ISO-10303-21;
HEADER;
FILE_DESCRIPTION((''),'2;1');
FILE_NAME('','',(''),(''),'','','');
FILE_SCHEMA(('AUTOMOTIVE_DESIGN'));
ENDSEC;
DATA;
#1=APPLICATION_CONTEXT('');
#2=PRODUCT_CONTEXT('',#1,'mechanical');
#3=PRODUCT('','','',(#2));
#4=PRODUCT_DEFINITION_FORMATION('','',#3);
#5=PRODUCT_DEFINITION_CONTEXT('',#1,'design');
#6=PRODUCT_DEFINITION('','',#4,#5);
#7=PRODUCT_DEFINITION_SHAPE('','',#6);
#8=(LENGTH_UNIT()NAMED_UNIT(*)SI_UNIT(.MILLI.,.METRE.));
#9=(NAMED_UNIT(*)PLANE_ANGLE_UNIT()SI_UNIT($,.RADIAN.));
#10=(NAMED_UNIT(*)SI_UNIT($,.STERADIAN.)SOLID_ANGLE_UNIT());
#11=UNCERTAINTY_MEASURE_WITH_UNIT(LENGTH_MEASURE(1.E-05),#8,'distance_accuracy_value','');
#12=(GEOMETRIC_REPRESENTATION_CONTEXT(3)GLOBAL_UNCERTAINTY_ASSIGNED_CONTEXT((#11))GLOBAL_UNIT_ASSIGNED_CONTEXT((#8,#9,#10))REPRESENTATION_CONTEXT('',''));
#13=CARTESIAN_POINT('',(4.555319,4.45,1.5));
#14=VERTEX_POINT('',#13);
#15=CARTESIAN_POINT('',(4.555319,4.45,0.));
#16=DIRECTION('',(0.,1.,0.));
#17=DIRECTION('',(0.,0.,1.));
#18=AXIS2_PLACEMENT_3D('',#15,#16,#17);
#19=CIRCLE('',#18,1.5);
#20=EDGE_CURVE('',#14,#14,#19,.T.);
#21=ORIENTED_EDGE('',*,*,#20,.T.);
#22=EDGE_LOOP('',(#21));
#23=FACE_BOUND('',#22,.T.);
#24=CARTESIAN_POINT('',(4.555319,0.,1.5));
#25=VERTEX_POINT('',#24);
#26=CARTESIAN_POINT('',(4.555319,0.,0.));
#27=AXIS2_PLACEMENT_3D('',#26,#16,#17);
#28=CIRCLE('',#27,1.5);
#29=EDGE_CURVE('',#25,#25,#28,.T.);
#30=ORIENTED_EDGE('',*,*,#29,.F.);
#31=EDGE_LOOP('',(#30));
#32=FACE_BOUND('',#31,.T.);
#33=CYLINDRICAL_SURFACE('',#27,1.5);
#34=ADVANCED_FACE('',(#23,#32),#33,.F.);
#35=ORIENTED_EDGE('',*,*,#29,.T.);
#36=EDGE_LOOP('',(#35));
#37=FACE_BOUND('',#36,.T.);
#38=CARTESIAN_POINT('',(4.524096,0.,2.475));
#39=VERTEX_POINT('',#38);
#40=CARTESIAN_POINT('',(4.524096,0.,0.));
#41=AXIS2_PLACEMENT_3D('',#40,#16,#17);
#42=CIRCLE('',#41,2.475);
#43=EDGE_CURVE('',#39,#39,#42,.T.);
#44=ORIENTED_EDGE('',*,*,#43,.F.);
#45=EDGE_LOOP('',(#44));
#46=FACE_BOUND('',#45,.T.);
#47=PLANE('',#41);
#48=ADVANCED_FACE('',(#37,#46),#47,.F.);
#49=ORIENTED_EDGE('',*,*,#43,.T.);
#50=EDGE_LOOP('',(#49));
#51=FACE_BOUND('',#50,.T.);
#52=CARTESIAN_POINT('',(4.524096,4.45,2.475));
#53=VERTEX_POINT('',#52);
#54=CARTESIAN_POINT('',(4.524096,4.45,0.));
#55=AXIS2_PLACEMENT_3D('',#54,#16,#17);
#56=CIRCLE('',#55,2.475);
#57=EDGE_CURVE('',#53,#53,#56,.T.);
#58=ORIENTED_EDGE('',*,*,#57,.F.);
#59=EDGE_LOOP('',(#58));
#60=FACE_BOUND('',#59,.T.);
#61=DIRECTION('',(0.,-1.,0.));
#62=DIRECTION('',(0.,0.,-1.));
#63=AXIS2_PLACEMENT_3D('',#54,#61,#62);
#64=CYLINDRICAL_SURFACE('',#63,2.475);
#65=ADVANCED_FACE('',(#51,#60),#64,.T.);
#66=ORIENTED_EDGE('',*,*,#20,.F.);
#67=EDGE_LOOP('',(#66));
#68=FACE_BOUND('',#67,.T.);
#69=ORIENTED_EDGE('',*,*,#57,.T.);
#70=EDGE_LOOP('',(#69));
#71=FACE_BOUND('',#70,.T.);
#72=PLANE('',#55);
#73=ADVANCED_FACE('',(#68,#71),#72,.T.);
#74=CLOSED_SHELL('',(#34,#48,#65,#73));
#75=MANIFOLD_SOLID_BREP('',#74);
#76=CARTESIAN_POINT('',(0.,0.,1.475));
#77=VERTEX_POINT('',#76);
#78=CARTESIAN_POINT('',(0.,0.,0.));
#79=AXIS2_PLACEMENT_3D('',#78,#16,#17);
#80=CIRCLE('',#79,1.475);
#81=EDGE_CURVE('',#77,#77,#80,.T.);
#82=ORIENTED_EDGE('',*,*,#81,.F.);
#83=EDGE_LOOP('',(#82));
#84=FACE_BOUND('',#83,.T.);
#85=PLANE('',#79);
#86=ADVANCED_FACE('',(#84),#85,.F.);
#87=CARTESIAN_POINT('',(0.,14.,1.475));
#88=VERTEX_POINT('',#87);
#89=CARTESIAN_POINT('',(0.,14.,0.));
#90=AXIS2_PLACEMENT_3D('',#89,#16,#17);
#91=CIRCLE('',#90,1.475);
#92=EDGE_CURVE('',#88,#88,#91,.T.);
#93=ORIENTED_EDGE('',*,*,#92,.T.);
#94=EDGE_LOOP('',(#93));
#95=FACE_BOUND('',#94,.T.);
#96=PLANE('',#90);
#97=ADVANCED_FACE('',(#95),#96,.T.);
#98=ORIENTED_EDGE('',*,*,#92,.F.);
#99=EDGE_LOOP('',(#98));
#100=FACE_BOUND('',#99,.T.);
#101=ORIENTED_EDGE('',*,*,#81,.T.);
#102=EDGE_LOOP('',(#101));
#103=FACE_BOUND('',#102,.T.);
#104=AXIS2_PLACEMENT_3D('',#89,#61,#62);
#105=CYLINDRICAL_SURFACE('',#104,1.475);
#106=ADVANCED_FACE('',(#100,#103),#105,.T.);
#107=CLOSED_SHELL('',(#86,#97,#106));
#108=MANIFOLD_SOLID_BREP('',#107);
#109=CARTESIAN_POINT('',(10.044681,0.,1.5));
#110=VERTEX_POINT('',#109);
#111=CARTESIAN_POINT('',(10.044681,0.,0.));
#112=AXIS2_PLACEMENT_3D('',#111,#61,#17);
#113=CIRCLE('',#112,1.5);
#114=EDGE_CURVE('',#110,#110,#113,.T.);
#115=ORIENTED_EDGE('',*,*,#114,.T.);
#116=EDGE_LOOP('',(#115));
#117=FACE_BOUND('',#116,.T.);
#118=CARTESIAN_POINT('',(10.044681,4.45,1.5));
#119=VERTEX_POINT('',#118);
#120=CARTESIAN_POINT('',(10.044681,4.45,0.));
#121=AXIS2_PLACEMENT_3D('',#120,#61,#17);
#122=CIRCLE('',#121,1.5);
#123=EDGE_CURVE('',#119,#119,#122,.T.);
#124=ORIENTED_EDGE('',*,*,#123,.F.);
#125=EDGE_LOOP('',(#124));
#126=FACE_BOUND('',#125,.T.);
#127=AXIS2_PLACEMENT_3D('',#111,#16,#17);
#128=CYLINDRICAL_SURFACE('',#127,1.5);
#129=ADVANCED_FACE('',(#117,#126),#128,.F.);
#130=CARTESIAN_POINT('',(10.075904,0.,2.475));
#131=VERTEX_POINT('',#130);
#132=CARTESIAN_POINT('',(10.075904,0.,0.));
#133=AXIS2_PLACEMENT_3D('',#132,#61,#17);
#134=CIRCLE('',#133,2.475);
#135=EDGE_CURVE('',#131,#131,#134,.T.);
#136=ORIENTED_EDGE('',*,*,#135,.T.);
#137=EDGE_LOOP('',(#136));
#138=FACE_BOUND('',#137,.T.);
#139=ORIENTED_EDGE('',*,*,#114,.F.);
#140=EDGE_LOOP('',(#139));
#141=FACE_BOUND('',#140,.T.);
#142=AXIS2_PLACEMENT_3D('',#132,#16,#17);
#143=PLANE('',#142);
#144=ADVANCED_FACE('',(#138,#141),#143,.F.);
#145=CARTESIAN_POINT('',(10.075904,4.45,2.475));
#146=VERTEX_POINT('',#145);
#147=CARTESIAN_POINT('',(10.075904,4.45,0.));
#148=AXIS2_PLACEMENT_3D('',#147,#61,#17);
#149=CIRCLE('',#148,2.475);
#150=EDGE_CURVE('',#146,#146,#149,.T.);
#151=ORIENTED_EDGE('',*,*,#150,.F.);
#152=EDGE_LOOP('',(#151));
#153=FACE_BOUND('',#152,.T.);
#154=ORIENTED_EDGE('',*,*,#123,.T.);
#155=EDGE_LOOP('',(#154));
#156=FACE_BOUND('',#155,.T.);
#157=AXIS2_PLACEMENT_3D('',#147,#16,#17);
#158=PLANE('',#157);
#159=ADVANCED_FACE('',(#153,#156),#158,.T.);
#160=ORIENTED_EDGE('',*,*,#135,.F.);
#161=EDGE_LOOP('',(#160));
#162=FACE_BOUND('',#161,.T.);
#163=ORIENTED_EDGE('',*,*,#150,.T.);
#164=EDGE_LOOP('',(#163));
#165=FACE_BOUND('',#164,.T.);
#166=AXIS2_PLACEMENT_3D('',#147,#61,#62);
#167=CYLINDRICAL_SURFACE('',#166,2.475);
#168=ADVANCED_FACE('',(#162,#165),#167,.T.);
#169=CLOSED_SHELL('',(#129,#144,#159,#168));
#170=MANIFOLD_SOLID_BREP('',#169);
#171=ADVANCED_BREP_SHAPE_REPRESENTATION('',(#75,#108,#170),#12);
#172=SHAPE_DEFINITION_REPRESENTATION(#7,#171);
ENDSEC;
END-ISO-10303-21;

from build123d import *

# Parameters (mm, degrees)
SKETCH1_R           = 1.475
BOSS_EXTRUDE1_DEPTH = 14
SKETCH2_R           = 2.475
BOSS_EXTRUDE2_DEPTH = 4.45
SKETCH3_R           = 1.5
CUT_EXTRUDE1_DEPTH  = 13.096093236


with BuildPart() as part:
    # Sketch1 → Boss-Extrude1 (new body)
    with BuildSketch(Plane(origin=(0, 0, 0), x_dir=(1, 0, 0), z_dir=(0, 1, 0))):
        with Locations(Location((0, 0, 0), (0, 0, 270))):
            Circle(SKETCH1_R)
    extrude(amount=BOSS_EXTRUDE1_DEPTH)


with BuildPart() as body_2:
    # Sketch2 → Boss-Extrude2 (new body)
    with BuildSketch(Plane(origin=(0, 0, 0), x_dir=(1, 0, 0), z_dir=(0, 1, 0))):
        with Locations(Location((4.524096126, 0, 0), (0, 0, 270))):
            Circle(SKETCH2_R)
    extrude(amount=BOSS_EXTRUDE2_DEPTH)

    # Sketch3 → Cut-Extrude1 (cut, through all)
    with BuildSketch(Plane(origin=(0, 4.45, 0), x_dir=(1, 0, 0), z_dir=(0, 1, 0))):
        with Locations(Location((4.555318966, 0, 0), (0, 0, 270))):
            Circle(SKETCH3_R)
    extrude(amount=-CUT_EXTRUDE1_DEPTH, mode=Mode.SUBTRACT)


with BuildPart() as body_3:
    # Mirror23: mirrored copy
    add(body_2.part.mirror(Plane(origin=(7.3, 0, 0), x_dir=(0, 0, 1), z_dir=(1, 0, 0))))


solid = Compound([part.part, body_2.part, body_3.part])
